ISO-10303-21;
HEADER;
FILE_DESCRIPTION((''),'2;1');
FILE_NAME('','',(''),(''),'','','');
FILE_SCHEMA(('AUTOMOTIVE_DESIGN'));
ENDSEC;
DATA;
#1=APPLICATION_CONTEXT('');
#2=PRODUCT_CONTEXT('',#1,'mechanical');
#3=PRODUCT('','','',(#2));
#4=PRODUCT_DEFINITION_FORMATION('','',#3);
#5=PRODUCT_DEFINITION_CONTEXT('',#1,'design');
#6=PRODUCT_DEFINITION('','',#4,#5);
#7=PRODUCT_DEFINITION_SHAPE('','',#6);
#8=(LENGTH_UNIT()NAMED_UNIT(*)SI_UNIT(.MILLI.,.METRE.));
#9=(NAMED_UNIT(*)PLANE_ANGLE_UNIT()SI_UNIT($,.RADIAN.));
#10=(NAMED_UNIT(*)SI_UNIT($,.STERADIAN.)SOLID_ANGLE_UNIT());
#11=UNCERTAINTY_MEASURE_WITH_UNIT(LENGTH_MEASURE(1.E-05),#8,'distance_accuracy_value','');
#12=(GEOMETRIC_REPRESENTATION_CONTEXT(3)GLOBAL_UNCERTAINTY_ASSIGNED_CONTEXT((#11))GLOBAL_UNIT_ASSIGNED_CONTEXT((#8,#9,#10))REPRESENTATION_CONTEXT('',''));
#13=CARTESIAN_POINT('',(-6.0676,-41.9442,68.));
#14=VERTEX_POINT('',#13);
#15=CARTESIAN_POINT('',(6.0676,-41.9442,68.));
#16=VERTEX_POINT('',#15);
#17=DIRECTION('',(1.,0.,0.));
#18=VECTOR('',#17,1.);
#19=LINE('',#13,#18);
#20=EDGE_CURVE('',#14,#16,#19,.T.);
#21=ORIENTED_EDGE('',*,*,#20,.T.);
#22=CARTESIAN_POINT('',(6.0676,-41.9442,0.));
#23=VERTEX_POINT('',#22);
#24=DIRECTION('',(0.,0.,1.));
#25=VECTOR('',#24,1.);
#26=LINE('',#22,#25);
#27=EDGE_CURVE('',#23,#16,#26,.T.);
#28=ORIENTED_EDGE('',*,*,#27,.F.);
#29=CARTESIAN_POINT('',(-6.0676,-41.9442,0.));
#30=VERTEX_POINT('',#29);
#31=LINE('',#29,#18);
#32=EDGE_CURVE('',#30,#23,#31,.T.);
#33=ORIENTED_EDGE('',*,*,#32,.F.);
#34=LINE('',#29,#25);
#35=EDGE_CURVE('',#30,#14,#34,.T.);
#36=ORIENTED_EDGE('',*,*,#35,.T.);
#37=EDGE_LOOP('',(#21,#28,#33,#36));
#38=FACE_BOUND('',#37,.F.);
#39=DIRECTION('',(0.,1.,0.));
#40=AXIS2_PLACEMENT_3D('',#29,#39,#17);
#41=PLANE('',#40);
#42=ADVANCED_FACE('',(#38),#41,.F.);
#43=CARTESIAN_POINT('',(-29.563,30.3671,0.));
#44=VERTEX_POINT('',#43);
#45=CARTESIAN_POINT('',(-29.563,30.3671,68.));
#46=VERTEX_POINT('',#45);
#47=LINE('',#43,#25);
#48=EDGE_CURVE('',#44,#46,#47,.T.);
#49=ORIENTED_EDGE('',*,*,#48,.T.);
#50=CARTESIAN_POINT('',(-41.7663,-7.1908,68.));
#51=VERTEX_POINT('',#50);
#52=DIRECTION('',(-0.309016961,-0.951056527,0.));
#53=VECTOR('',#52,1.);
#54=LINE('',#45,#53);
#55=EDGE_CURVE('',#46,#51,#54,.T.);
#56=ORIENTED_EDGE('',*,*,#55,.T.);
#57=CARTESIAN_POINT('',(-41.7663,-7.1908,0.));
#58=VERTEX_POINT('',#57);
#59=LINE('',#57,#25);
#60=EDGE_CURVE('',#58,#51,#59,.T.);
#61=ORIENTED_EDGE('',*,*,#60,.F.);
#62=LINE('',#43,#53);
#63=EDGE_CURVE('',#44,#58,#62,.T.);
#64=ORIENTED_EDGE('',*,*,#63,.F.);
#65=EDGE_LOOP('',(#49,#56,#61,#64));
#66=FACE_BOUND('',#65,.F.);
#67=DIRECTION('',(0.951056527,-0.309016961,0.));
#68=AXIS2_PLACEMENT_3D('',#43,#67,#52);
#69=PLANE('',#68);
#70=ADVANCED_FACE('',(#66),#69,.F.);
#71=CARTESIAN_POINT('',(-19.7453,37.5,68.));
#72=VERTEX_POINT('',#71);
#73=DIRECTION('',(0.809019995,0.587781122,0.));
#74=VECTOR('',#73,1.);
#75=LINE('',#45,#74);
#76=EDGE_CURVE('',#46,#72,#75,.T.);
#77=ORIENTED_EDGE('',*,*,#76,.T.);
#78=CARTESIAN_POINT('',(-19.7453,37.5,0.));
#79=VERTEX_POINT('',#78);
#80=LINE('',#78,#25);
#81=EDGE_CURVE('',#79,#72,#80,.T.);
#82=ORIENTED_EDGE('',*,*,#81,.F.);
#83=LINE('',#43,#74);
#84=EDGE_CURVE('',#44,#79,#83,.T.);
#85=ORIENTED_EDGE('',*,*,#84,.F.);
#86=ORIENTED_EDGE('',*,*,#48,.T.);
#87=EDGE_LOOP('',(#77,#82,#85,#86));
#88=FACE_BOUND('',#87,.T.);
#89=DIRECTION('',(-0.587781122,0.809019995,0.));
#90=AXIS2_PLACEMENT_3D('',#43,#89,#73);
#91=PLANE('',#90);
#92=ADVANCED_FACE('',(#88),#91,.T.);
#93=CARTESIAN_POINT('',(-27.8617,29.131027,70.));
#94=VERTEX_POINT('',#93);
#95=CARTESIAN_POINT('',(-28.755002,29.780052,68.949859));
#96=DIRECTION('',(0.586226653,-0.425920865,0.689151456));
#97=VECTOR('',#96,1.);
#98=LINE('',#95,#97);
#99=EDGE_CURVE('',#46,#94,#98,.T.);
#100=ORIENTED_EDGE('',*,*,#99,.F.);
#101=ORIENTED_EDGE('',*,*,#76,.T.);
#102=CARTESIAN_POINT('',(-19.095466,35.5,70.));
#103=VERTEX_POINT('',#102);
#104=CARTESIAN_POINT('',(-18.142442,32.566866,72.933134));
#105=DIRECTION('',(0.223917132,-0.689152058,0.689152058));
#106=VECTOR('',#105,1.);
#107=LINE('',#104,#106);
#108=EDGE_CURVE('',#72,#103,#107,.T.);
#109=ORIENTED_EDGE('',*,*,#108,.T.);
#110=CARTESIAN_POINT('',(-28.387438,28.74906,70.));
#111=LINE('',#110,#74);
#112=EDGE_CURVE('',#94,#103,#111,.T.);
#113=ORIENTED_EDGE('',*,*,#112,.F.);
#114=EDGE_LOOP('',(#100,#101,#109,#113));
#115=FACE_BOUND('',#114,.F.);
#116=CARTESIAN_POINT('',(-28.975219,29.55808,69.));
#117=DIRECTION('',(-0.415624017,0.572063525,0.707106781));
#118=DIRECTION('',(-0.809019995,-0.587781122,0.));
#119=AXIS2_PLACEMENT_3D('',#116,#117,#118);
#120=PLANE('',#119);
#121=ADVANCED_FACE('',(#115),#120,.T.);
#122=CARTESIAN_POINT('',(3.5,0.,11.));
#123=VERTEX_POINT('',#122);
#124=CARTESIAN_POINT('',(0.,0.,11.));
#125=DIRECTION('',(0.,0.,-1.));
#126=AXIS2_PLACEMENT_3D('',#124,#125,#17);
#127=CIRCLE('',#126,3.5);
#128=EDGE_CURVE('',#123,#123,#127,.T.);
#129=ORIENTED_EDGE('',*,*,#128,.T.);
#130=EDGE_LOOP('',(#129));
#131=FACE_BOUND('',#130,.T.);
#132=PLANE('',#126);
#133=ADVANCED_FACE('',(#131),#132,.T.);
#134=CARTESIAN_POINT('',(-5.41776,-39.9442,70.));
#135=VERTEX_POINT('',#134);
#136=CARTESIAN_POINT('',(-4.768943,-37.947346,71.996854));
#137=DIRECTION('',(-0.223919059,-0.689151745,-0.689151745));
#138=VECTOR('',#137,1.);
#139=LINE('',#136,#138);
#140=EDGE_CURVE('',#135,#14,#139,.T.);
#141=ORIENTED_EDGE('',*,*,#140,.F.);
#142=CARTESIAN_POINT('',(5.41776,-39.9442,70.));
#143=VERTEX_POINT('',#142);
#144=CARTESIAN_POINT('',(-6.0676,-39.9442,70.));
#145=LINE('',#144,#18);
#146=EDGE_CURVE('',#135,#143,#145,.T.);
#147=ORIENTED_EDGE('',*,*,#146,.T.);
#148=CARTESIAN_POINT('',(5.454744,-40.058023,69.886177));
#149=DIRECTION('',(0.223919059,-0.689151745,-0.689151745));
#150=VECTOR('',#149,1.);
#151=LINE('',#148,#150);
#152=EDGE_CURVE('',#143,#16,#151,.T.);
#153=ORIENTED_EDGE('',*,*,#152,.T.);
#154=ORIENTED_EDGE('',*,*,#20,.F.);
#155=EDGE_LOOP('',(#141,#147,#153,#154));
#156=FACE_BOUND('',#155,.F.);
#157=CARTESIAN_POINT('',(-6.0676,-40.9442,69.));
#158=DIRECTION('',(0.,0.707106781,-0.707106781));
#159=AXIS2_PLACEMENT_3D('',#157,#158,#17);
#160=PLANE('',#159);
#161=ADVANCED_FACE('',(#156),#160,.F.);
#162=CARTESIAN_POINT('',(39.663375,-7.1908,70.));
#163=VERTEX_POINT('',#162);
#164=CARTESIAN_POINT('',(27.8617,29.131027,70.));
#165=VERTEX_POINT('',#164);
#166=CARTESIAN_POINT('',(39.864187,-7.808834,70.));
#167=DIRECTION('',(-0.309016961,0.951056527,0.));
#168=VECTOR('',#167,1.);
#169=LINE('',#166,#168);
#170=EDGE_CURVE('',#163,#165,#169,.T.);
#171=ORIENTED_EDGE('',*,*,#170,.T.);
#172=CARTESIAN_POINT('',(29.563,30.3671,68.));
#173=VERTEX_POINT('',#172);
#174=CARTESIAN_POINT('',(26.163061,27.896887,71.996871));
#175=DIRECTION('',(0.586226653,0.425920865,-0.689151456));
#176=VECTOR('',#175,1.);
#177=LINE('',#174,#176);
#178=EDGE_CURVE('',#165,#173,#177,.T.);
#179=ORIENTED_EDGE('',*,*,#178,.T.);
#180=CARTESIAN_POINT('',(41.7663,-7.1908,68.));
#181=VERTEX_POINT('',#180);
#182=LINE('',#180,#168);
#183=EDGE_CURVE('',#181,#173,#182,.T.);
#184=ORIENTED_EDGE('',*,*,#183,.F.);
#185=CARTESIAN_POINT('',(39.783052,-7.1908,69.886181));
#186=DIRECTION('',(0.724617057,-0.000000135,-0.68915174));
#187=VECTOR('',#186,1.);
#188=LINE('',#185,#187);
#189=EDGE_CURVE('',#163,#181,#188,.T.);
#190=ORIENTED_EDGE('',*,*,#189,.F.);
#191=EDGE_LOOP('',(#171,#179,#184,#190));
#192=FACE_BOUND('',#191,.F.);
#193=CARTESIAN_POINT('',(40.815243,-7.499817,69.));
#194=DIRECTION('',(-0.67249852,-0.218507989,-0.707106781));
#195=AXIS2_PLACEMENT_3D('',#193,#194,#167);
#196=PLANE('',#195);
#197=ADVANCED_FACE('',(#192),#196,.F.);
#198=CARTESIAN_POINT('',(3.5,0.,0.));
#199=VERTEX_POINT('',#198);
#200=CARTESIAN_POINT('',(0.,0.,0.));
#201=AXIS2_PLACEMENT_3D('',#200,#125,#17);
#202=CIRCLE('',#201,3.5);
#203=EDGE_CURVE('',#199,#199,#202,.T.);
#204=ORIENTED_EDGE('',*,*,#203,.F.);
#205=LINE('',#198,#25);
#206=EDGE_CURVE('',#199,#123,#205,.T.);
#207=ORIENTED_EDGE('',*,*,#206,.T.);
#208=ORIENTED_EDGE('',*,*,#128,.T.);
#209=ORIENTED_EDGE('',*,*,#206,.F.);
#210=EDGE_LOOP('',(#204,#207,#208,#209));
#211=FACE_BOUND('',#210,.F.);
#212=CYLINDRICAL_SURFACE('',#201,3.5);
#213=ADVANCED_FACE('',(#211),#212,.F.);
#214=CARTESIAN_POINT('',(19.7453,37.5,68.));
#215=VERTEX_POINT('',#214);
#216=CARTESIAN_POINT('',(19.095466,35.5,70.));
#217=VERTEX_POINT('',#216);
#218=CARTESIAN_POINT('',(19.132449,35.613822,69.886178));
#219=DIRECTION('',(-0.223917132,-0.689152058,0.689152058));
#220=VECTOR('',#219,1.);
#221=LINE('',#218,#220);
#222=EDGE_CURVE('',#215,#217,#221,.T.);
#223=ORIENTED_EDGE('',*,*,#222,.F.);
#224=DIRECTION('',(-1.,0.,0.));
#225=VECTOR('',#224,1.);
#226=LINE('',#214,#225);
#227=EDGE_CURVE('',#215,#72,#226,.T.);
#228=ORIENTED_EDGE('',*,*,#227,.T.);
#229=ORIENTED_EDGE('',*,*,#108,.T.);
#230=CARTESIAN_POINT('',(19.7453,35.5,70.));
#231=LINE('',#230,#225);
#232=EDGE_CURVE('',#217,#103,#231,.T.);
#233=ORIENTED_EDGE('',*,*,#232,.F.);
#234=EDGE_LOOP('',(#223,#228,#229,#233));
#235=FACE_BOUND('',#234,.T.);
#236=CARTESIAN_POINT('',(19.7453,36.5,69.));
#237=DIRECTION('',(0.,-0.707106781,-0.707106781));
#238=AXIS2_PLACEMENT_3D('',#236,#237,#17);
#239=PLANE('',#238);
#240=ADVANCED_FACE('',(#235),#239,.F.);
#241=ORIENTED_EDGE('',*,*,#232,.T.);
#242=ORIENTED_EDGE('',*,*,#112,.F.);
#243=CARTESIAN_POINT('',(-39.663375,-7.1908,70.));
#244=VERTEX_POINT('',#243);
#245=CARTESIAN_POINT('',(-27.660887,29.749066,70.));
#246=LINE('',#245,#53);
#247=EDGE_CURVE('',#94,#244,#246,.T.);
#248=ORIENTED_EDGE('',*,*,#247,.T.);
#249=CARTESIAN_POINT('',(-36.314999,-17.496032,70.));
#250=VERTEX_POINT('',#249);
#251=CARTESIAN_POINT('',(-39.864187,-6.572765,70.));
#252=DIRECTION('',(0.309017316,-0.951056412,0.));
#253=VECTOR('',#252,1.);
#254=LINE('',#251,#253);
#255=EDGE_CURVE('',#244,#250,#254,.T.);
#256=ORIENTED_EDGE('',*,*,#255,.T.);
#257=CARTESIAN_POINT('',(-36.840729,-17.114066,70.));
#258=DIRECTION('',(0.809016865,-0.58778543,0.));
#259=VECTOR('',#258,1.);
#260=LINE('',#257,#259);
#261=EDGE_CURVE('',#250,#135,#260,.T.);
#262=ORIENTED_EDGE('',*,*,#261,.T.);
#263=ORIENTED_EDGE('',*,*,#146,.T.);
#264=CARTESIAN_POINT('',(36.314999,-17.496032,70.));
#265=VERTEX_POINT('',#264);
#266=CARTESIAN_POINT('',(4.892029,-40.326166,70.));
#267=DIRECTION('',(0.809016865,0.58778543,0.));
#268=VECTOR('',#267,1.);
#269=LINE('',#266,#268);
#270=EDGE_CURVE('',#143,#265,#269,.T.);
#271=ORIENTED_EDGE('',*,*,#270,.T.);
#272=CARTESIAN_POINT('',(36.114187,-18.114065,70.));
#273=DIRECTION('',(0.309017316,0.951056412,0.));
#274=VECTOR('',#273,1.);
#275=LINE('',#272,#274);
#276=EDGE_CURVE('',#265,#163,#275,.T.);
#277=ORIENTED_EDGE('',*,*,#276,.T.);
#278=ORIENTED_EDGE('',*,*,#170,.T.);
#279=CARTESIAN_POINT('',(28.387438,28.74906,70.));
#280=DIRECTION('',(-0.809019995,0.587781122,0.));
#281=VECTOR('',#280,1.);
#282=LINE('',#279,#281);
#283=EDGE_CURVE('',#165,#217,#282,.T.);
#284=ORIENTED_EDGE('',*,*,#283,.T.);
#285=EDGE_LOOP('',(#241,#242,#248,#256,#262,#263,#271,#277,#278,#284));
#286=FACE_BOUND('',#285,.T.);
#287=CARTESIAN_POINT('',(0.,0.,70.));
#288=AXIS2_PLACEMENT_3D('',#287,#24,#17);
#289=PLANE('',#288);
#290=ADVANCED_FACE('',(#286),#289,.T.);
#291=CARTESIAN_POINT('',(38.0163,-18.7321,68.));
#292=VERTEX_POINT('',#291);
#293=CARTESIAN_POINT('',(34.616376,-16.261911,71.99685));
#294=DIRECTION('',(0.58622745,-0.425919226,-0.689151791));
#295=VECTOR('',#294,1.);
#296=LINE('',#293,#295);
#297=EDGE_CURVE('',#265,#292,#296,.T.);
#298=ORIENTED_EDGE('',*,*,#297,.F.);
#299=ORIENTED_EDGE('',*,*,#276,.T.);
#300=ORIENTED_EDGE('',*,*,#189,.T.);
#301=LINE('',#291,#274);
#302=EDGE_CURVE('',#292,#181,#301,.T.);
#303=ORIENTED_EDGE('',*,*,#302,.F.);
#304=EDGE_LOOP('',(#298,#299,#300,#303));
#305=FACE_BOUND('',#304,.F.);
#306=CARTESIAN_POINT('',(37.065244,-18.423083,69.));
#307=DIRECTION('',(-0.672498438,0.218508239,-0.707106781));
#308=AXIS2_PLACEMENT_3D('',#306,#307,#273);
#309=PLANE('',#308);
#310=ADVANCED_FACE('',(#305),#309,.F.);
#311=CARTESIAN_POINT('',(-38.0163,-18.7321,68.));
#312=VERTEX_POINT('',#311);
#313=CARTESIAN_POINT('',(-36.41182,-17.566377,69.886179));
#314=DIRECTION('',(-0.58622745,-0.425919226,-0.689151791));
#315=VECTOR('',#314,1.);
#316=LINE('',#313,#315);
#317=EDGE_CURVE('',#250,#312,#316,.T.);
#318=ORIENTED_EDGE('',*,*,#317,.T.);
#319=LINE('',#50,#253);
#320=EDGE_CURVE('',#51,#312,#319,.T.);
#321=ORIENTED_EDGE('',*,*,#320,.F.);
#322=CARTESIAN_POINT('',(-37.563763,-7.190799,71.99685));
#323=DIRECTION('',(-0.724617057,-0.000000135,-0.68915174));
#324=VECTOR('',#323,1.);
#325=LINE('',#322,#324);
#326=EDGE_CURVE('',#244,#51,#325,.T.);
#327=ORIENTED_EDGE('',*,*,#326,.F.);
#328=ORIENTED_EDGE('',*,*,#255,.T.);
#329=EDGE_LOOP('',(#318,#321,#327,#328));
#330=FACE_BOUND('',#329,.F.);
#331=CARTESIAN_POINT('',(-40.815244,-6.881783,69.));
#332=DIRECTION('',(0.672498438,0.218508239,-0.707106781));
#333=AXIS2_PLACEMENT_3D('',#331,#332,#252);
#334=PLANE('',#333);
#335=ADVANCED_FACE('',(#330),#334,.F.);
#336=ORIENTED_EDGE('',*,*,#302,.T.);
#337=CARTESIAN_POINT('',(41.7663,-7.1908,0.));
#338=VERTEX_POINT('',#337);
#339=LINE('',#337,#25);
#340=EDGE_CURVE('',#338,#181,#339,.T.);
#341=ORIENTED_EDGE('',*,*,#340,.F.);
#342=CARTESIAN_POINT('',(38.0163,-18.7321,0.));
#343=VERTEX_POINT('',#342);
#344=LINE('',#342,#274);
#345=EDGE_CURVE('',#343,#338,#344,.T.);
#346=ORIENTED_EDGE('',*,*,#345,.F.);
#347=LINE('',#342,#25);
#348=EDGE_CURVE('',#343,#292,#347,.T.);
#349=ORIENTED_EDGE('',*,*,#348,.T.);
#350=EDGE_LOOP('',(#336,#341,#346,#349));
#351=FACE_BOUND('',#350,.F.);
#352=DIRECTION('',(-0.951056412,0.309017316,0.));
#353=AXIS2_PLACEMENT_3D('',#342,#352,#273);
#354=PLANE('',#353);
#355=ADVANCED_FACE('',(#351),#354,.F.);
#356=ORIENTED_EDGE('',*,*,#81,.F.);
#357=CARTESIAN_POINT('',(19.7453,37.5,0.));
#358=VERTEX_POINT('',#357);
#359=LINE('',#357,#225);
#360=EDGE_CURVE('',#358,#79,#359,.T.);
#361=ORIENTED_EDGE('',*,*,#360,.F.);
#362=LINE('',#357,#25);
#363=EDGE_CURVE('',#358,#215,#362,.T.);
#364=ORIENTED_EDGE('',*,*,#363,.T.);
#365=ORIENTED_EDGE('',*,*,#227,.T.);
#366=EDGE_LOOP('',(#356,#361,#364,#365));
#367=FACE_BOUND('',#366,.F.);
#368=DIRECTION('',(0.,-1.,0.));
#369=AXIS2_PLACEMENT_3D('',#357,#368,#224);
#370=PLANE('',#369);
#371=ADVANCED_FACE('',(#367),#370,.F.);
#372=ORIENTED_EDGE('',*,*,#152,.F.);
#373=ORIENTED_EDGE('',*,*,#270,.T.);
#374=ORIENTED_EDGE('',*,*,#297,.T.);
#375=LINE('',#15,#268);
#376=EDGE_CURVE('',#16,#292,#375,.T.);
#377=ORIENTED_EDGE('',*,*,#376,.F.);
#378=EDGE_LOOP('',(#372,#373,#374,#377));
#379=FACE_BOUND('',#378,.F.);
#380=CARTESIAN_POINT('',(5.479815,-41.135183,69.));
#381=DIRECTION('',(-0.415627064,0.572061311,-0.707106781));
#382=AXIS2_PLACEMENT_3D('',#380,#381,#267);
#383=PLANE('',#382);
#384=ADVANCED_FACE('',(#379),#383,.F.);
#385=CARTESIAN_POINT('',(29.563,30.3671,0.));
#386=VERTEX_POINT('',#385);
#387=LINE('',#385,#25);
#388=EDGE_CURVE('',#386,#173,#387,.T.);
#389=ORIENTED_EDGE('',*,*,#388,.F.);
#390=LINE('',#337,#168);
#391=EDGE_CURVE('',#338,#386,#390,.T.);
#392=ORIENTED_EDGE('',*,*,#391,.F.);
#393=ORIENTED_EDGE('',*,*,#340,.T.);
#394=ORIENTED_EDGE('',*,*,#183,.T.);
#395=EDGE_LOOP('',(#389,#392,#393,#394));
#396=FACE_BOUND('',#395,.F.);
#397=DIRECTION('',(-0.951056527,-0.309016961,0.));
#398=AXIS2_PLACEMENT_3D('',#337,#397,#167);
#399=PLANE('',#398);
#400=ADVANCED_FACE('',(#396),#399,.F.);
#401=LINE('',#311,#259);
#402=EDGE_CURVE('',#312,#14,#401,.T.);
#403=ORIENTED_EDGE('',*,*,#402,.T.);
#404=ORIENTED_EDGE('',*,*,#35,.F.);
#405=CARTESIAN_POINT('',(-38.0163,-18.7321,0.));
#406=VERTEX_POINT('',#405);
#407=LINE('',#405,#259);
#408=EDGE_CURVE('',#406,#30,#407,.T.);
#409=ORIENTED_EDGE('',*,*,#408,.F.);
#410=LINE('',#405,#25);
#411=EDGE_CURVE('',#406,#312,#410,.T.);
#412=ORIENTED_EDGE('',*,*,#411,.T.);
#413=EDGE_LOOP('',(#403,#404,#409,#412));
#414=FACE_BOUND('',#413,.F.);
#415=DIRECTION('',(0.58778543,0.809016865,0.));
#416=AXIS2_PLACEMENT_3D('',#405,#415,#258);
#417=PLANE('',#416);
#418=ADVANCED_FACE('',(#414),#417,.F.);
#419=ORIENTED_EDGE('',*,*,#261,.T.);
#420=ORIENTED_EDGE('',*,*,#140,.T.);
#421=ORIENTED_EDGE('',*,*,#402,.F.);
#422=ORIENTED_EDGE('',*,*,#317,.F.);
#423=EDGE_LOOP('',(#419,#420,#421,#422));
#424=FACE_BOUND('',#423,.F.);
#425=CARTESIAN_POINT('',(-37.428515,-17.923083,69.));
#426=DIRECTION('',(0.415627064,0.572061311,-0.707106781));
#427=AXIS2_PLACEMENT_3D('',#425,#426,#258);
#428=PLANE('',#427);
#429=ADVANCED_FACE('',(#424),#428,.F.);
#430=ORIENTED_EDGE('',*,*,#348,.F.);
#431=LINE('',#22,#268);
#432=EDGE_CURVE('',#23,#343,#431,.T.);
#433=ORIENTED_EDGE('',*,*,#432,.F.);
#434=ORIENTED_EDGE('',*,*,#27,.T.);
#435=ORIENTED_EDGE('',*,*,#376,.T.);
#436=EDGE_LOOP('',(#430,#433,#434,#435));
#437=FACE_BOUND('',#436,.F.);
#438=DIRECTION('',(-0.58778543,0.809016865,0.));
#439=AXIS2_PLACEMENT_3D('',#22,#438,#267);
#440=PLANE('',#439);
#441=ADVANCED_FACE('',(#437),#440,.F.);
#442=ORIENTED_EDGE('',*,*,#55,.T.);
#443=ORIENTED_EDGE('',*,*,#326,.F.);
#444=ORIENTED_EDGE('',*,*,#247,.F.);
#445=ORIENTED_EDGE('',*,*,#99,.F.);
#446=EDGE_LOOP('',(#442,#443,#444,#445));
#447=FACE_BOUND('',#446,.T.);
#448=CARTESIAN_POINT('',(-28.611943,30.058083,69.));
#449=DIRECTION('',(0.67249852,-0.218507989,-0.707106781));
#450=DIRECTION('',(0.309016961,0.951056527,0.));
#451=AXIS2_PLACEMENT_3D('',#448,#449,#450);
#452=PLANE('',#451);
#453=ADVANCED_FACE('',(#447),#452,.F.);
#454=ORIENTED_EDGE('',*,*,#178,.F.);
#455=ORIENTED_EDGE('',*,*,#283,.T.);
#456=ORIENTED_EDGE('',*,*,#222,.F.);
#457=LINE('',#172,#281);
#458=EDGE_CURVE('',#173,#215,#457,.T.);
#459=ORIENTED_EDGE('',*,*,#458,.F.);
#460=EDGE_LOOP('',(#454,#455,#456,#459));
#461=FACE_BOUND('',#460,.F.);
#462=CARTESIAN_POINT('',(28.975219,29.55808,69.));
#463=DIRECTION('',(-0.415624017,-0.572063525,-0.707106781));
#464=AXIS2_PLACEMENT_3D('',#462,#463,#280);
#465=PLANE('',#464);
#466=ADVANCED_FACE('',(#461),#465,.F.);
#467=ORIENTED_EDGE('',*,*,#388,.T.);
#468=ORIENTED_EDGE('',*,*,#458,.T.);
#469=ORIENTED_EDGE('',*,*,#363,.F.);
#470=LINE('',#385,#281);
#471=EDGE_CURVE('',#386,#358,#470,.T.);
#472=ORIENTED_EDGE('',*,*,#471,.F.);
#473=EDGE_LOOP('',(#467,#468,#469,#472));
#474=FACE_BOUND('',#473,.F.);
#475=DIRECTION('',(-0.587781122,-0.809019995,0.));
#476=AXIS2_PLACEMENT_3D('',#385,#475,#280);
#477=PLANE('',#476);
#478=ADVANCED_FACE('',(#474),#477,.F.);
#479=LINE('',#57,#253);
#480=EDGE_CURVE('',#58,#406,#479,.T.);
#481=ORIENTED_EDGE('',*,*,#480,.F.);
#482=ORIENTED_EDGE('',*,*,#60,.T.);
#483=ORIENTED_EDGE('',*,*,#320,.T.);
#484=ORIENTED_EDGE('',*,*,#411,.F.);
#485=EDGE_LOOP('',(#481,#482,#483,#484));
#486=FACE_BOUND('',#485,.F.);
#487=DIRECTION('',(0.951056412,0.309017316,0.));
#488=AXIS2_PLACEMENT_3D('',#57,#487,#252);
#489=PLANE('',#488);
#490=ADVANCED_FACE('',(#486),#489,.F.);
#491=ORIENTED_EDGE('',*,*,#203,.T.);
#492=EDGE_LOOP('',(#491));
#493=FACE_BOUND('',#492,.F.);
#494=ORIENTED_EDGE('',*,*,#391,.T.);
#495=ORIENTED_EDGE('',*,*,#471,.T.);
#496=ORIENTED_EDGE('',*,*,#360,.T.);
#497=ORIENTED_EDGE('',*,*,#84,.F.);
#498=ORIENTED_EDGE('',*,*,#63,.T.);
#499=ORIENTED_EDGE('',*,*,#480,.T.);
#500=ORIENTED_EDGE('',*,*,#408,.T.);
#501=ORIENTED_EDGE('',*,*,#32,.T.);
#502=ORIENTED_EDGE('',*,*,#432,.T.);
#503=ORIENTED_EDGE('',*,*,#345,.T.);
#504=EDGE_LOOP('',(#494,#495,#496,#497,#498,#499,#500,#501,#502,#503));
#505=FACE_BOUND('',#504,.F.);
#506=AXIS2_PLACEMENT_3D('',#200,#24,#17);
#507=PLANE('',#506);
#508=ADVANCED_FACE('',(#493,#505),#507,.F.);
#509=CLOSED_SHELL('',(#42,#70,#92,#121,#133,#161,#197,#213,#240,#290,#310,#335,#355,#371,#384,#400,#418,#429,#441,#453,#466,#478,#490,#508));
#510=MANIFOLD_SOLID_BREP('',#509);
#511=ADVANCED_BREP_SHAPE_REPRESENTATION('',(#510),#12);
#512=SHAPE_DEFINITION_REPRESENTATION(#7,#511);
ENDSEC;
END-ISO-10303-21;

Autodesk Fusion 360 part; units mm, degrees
sketch "Sketch1" plane through (0, 0, 0) normal (0, 0, 1) x (1, 0, 0)
  line L0 (-29.563, 30.3671) -> (-41.7663, -7.1908)
  line L1 (-38.0163, -18.7321) -> (-6.0676, -41.9442)
  line L2 (6.0676, -41.9442) -> (38.0163, -18.7321)
  line L3 (41.7663, -7.1908) -> (29.563, 30.3671)
  line L4 (19.7453, 37.5) -> (-19.7453, 37.5)
  line L5 (-29.563, 30.3671) -> (-19.7453, 37.5)
  line L6 (-41.7663, -7.1908) -> (-38.0163, -18.7321)
  line L7 (-6.0676, -41.9442) -> (6.0676, -41.9442)
  line L8 (38.0163, -18.7321) -> (41.7663, -7.1908)
  line L9 (29.563, 30.3671) -> (19.7453, 37.5)
  point P0 (-27.2453, 37.5)
  point P1 (-44.0839, -14.3237)
  point P2 (0, -46.3525)
  point P3 (44.0839, -14.3237)
  point P4 (27.2453, 37.5)
extrude "Extrude1" add sketch "Sketch1" along normal blind 70
sketch "Sketch2" plane through (0, 0, 0) normal (0, 0, -1) x (1, 0, 0)
  line L0 (-41.7663, 7.1908) -> (-29.563, -30.3671)
  line L1 (-29.563, -30.3671) -> (-19.7453, -37.5)
  line L2 (-19.7453, -37.5) -> (19.7453, -37.5)
  line L3 (19.7453, -37.5) -> (29.563, -30.3671)
  line L4 (29.563, -30.3671) -> (41.7663, 7.1908)
  line L5 (41.7663, 7.1908) -> (38.0163, 18.7321)
  line L6 (38.0163, 18.7321) -> (6.0676, 41.9442)
  line L7 (6.0676, 41.9442) -> (-6.0676, 41.9442)
  line L8 (-6.0676, 41.9442) -> (-38.0163, 18.7321)
  line L9 (-38.0163, 18.7321) -> (-41.7663, 7.1908)
  circle A0 centre (0, 0) radius 3.5
  dimension "d13" = 7
extrude "Extrude2" cut sketch "Sketch2" against normal blind 11 contours A0
chamfer "Chamfer1" distance 2 angle 45 1 faces at (-0.7952, -10.1031, 70)
